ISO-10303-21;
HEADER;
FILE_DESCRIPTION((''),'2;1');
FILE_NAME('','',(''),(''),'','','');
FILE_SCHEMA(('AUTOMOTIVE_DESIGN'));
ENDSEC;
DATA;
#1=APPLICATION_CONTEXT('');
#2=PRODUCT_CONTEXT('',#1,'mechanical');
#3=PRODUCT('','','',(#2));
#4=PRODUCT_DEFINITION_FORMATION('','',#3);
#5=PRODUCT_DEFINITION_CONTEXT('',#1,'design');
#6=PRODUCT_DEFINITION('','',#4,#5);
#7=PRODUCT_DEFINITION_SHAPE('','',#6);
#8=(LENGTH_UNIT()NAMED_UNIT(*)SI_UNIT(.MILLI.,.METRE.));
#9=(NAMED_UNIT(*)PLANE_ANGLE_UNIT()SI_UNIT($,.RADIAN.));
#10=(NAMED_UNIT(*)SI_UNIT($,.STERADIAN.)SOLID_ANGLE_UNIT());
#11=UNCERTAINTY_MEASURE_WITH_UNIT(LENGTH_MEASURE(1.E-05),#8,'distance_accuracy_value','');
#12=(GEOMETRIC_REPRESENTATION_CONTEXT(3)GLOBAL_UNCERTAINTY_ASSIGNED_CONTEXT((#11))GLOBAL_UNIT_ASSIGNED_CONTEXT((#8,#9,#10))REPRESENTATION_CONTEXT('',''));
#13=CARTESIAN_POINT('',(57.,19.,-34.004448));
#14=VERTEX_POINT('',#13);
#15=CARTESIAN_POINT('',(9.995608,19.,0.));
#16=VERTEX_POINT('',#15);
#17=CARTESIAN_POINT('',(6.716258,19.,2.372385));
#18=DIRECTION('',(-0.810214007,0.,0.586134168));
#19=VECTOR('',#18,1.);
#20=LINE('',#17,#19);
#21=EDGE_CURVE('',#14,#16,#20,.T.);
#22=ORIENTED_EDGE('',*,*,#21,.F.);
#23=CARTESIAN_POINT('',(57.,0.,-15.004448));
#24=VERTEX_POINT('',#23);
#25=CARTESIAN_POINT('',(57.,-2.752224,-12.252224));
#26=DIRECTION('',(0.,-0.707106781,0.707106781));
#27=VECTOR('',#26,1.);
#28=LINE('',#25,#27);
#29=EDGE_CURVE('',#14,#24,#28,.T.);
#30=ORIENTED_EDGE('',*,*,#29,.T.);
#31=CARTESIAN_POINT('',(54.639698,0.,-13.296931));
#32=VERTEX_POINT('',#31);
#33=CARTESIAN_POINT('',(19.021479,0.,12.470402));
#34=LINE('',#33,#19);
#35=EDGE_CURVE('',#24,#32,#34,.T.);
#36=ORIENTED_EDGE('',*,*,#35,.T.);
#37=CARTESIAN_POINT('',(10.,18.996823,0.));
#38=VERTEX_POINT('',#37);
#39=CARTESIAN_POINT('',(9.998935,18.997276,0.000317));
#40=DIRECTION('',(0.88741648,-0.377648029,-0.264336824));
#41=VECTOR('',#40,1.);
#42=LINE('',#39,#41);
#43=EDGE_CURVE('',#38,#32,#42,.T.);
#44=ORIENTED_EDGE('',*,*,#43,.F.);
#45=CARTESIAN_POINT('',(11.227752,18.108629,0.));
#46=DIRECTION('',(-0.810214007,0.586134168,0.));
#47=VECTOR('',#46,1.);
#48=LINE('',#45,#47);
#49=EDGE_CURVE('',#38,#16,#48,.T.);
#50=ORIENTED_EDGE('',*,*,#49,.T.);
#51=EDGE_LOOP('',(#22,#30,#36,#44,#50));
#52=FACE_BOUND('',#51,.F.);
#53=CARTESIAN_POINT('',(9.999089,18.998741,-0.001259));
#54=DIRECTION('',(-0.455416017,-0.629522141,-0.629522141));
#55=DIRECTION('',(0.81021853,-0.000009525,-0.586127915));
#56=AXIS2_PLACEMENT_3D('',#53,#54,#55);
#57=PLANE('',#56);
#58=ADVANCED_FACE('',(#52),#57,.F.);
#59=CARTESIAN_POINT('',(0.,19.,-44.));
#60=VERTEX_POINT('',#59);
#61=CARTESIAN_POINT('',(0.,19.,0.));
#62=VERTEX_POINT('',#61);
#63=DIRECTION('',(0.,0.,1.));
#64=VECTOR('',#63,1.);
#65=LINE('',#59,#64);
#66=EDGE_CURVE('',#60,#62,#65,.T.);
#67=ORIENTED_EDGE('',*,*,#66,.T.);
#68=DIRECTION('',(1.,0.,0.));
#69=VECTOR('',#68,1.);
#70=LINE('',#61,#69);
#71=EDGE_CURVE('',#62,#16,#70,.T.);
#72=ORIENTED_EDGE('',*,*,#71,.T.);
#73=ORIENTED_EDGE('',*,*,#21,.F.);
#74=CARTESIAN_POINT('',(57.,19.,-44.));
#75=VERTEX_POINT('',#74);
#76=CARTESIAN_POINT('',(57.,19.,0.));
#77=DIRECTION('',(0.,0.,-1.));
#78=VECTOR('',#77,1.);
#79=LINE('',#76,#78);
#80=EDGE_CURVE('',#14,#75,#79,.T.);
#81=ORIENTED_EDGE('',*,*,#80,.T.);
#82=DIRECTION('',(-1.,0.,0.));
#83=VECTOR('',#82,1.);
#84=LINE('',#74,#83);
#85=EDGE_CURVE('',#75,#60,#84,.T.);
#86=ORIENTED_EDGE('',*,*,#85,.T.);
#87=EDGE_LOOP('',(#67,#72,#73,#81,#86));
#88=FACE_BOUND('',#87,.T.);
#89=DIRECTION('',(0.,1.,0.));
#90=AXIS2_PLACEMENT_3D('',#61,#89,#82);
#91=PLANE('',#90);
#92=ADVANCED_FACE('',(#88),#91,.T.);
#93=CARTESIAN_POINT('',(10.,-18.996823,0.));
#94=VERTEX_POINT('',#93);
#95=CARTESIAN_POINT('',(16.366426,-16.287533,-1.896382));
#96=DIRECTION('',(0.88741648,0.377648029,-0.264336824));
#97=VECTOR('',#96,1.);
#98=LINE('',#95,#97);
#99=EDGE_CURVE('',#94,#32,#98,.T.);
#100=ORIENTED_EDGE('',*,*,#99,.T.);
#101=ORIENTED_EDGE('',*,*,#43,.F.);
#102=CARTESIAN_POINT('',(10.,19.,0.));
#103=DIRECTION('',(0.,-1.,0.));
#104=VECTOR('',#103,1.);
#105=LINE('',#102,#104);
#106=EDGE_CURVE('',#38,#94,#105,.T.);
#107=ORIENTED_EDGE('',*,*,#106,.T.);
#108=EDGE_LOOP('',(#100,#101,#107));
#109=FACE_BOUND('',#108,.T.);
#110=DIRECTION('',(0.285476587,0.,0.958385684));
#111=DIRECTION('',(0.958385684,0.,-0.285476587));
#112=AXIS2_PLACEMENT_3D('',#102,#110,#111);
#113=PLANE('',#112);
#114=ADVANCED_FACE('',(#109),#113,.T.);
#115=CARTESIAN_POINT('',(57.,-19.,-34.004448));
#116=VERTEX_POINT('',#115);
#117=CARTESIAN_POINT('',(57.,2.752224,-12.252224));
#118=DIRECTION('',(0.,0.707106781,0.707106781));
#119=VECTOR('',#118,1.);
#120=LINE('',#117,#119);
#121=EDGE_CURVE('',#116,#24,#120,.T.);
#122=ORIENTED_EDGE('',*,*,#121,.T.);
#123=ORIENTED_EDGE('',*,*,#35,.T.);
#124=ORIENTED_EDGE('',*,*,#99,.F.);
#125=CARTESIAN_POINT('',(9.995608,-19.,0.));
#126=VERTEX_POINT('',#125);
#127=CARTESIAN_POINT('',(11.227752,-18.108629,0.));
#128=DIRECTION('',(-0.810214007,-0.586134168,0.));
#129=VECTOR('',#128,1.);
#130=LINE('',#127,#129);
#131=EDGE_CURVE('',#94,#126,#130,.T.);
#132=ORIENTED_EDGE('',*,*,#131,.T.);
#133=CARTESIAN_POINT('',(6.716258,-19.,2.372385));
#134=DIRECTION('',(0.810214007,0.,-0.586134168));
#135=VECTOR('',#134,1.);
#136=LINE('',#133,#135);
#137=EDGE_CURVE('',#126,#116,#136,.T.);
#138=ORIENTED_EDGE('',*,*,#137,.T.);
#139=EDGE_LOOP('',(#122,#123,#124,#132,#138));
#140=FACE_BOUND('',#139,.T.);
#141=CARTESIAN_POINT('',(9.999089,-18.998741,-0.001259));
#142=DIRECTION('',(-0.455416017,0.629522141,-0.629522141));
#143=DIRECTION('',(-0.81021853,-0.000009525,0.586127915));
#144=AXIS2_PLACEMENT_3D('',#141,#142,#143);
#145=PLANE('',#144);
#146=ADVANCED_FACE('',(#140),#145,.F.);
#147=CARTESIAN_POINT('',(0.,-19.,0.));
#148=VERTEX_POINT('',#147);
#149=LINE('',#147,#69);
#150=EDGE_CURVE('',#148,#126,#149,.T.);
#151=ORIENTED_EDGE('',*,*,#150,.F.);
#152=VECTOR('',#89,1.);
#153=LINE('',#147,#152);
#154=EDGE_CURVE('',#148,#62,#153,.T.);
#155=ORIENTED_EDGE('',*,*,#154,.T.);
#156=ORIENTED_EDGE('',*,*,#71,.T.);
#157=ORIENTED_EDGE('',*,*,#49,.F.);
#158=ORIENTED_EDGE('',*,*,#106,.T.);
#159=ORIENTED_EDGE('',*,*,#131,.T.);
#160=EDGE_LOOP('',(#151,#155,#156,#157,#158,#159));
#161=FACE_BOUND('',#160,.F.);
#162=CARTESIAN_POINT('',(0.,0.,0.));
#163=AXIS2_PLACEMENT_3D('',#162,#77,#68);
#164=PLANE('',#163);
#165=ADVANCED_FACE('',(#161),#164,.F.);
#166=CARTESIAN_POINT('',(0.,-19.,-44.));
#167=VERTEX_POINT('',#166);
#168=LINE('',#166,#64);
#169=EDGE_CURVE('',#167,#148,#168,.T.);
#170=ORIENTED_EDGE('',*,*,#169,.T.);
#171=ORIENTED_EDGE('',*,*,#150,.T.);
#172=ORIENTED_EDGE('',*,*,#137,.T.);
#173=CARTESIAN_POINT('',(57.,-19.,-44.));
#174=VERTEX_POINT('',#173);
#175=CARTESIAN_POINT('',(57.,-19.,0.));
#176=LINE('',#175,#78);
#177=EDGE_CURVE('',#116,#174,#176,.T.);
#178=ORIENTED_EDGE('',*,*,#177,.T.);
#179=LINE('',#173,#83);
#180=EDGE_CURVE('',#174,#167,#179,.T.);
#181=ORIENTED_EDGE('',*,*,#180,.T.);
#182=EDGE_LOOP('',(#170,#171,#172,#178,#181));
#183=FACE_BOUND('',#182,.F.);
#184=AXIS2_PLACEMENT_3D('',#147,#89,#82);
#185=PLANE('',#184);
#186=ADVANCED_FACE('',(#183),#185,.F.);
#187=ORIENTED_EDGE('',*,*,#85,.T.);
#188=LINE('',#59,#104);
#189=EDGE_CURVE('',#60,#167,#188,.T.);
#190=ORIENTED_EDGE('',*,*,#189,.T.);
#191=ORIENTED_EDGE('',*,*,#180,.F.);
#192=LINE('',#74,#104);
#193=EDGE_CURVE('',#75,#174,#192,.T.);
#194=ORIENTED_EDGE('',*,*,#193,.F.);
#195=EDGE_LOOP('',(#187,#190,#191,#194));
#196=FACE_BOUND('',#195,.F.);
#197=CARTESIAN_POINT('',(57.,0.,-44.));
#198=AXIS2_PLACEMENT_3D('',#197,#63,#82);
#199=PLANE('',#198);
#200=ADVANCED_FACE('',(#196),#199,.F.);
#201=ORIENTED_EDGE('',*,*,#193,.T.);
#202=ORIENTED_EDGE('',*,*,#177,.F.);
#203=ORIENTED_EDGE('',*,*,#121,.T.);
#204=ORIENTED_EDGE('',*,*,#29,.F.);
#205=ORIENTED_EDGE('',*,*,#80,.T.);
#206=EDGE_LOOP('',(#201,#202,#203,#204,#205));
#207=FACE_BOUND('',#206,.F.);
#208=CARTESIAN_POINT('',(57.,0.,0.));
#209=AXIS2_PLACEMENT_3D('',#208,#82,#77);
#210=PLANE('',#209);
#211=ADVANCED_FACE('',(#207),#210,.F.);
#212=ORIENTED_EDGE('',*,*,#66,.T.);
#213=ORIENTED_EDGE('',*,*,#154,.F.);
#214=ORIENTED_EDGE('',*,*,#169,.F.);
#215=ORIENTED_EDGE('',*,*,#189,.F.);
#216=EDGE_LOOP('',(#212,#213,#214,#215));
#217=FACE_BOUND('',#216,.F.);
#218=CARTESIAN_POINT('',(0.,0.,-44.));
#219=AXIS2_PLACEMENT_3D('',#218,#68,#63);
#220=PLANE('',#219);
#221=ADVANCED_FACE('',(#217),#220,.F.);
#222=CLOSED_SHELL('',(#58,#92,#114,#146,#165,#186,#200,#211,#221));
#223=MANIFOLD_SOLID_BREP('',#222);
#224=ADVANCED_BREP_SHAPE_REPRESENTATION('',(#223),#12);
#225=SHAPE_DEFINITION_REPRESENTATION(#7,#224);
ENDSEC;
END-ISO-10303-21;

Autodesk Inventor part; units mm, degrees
ref_plane "YZ Plane" through (0, 0, 0) normal (1, 0, 0) x (0, 1, 0)
ref_plane "XZ Plane" through (0, 0, 0) normal (0, 1, 0) x (-1, 0, 0)
sketch "草圖1" plane through (0, 0, 0) normal (0, 1, 0) x (-1, 0, 0)
  line L0 (0, 0) -> (-57, 0)
  line L1 (-57, 0) -> (-57, -44)
  line L2 (-57, -44) -> (0, -44)
  line L3 (0, -44) -> (0, 0)
  dimension "d0" = 57
  dimension "d1" = 44
extrude "擠出1" add sketch "草圖1" along normal mid plane 38
sketch "草圖2" plane through (0, 19, 0) normal (0, 1, 0) x (1, 0, 0)
  line L0 (0, 0) -> (57, 0) projected
  line L1 (10, 0) -> (57, 14)
  line L2 (57, 0) -> (57, 44) projected
  dimension "d4" = 10
  dimension "d5" = 30
extrude "擠出2" cut sketch "草圖2" against normal blind 40
sketch "草圖3" plane through (57, -19, -44) normal (1, 0, 0) x (0, 0, -1)
  line L0 (-30, 18) -> (-10, 38)
  line L1 (0, 38) -> (-44, 38) projected
  line L2 (-30, 38) -> (-30, 0) projected
  point P0 (-44, 19)
  dimension "d8" = 20
  dimension "d9" = 20
ref_plane "工作平面1" through (10, 19, 0) normal (-0.4554, -0.6295, -0.6295) x (0.8102, 0, -0.5861)
sketch "草圖4" plane through (10, 19, 0) normal (-0.4554, -0.6295, -0.6295) x (0.8102, 0, -0.5861)
  line L0 (-15.1543, -12.3218) -> (93.717, -12.3218)
  line L1 (93.717, -12.3218) -> (93.717, 28.8166)
  line L2 (93.717, 28.8166) -> (-15.1543, 28.8166)
  line L3 (-15.1543, 28.8166) -> (-15.1543, -12.3218)
  point P0 (-8.1022, 11.0728)
extrude "擠出3" cut sketch "草圖4" against normal blind 40
mirror "鏡射1" about plane through (0, 0, 0) normal (0, 1, 0) of "擠出3"
properties part number "42"
